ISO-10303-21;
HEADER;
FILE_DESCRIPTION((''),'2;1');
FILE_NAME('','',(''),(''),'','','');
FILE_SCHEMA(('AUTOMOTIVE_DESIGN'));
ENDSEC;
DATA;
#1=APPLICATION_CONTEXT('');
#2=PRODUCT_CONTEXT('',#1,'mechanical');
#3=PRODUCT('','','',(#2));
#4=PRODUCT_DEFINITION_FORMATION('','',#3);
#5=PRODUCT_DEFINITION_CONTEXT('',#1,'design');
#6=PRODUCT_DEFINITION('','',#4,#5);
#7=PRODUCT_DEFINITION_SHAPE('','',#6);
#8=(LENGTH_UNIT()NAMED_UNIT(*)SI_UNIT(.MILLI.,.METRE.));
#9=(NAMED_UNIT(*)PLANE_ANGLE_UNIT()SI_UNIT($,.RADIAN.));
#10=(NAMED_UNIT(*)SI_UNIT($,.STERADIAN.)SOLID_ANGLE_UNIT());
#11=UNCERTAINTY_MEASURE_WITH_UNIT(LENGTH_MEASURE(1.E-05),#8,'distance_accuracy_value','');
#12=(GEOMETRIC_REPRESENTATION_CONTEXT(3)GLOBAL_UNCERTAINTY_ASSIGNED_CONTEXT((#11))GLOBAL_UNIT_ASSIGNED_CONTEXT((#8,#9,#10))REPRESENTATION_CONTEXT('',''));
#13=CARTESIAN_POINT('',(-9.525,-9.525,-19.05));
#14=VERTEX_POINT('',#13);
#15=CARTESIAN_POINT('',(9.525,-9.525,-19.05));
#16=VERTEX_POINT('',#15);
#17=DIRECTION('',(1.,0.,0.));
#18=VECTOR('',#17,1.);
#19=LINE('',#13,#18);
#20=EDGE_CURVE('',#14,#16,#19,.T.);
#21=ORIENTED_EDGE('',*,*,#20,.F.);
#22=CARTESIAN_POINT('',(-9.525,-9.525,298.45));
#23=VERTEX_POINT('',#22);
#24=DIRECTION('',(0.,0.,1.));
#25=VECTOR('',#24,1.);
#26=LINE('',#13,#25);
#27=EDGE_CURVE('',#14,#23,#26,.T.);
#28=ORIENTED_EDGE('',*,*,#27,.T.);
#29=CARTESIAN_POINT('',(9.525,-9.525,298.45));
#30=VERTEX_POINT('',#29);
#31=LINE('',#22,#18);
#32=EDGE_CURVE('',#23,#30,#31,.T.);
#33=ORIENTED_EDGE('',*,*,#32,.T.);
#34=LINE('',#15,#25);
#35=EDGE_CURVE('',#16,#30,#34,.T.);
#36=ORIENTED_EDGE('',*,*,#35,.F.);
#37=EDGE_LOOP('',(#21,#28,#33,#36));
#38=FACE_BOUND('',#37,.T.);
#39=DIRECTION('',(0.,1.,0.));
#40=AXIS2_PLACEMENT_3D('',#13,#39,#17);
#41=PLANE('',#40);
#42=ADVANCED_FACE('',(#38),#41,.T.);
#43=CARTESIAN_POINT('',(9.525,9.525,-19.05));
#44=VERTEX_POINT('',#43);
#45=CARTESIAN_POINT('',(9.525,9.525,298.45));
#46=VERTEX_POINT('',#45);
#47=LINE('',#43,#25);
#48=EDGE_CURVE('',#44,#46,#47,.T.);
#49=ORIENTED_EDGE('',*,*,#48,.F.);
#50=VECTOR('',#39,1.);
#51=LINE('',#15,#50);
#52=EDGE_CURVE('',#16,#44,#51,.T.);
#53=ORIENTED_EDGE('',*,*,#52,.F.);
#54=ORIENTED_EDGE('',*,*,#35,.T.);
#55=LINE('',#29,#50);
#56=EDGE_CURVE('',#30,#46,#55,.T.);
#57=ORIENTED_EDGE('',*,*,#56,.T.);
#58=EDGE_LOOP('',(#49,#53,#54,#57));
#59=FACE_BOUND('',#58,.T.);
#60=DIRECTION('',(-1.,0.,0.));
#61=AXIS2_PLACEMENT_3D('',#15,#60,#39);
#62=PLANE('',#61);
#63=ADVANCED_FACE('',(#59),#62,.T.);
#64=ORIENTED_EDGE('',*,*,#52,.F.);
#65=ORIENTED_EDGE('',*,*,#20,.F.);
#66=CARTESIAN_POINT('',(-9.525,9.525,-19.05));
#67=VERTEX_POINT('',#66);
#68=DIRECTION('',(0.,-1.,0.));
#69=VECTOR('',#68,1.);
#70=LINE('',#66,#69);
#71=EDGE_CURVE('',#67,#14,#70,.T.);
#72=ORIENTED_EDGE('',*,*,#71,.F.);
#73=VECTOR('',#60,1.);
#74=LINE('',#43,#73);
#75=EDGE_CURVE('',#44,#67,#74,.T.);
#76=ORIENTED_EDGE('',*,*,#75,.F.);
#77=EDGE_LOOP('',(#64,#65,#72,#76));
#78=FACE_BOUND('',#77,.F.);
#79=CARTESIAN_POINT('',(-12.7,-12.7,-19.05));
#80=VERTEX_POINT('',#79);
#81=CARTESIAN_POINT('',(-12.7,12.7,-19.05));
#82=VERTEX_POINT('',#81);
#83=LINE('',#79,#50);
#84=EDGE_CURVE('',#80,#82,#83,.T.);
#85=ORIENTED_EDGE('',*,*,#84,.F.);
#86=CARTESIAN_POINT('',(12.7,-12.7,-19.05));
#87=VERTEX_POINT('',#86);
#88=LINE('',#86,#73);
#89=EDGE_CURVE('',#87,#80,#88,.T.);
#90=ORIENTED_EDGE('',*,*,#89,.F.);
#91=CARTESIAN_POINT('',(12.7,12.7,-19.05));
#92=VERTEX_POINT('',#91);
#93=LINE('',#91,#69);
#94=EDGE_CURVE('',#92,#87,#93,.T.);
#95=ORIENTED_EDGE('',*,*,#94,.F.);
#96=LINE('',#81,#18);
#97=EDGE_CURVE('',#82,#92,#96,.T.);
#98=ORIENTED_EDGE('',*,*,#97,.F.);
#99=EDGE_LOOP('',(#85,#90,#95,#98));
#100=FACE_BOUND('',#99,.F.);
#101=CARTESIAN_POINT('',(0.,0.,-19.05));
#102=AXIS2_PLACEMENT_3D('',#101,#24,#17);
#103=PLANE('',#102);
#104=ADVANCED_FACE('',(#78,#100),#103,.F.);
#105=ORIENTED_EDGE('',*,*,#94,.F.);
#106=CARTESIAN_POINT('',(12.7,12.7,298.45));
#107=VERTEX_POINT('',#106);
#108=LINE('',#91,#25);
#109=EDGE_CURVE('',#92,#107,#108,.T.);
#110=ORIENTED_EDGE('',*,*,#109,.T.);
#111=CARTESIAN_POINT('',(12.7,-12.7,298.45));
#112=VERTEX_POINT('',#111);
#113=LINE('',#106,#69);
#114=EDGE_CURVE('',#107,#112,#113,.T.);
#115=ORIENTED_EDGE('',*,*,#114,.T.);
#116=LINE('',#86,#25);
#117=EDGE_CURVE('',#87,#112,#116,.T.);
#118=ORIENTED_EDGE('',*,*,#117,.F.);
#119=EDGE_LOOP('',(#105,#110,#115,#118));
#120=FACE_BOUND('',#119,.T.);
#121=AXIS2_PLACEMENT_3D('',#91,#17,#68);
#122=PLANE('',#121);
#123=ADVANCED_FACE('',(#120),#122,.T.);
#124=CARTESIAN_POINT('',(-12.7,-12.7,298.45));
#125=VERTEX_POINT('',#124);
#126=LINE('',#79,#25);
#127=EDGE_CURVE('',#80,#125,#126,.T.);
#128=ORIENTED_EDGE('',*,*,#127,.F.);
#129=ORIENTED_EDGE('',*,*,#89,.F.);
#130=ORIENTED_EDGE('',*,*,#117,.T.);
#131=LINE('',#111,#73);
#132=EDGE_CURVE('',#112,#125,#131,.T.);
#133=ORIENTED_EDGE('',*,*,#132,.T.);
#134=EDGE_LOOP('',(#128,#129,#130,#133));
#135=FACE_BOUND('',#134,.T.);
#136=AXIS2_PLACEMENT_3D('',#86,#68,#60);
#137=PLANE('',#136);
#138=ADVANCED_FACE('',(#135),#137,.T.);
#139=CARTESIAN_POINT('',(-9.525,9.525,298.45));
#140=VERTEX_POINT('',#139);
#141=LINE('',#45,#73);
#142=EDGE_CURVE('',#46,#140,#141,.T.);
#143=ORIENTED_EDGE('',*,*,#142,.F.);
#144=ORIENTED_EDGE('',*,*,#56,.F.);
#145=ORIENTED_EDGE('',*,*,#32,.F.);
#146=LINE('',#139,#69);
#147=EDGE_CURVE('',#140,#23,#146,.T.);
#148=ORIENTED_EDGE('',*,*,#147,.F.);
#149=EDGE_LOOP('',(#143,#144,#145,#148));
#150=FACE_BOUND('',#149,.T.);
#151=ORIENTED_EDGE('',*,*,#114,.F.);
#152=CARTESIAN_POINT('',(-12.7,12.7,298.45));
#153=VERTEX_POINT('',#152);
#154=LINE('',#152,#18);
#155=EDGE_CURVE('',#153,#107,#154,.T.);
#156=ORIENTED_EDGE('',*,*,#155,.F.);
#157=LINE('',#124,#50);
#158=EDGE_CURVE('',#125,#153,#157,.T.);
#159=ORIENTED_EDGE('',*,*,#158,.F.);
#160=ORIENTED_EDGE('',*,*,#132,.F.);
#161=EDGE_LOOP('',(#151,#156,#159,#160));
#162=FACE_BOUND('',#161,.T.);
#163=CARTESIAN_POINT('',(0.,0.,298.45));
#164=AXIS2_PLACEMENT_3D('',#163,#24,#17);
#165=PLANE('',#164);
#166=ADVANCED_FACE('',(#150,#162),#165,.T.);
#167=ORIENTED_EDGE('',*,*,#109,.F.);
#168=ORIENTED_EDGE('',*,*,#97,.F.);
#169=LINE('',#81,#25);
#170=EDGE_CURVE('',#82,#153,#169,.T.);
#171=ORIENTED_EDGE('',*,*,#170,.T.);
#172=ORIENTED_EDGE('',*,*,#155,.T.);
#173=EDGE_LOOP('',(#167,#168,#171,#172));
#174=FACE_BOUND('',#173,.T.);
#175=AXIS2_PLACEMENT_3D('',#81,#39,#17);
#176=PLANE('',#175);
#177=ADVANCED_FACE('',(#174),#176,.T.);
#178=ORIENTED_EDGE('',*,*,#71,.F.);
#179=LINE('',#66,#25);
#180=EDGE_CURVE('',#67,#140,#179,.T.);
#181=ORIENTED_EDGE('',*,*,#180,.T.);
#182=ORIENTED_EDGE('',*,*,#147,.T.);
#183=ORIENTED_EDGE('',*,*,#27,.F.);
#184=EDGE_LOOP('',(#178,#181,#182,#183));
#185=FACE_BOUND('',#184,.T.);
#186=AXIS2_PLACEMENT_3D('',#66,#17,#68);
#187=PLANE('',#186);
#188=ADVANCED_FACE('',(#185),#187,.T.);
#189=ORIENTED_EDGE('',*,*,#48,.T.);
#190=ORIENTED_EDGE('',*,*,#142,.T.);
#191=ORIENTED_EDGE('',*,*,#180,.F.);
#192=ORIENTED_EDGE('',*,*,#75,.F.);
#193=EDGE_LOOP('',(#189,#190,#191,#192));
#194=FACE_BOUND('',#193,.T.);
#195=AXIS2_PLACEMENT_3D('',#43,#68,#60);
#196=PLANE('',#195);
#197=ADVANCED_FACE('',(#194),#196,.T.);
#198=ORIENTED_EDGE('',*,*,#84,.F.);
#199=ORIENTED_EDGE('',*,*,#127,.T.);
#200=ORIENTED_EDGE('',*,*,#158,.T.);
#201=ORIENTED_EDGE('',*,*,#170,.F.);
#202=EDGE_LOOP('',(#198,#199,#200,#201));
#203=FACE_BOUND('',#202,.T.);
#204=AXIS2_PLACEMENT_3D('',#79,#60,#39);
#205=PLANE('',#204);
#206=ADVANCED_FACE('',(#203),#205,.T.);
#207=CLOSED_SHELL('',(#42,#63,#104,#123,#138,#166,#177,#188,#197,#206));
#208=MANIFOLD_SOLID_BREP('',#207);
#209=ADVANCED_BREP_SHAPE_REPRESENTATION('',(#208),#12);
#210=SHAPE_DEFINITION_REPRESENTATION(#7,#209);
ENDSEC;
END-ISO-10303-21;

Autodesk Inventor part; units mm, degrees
ref_plane "Start Plane" through (0, 0, -19.05) normal (0, 0, 1) x (1, 0, 0)
ref_plane "End Plane" through (0, 0, 298.45) normal (0, 0, 1) x (1, 0, 0)
sketch "Sketch" plane through (0, 0, 0) normal (0, 0, 1) x (1, 0, 0)
  line L0 (-12.7, 12.7) -> (12.7, 12.7)
  line L1 (12.7, 12.7) -> (12.7, -12.7)
  line L2 (12.7, -12.7) -> (-12.7, -12.7)
  line L3 (-12.7, -12.7) -> (-12.7, 12.7)
  line L4 (9.525, 9.525) -> (-9.525, 9.525)
  line L5 (-9.525, 9.525) -> (-9.525, -9.525)
  line L6 (-9.525, -9.525) -> (9.525, -9.525)
  line L7 (9.525, -9.525) -> (9.525, 9.525)
  point P0 (0, 0)
  point P1 (0, 12.7)
  point P2 (-12.7, 0)
  dimension "width" = 25.4
  dimension "d1" = 3.175
extrude "Body" add sketch "Sketch" along normal up to surface (317.5 mm away) from surface at -19.05
sketch "Sketch4" plane through (0, 0, 0) normal (0, 0, 1) x (1, 0, 0)
  line L0 (0, 0) -> (10, 0)
ref_plane "Work Plane4" through (0, 0, 0) normal (0, -1, 0) x (1, 0, 0)
sketch "Sketch5" plane through (0, 0, 0) normal (0, -1, 0) x (1, 0, 0)
  line L0 (-2, -19.05) -> (12, -19.05)
  line L1 (-2, 298.45) -> (12, 298.45)
  dimension "d9" = 317.5
ref_plane "Work Plane5" through (25.4, 555.6504, 298.45) normal (0, 0, 1) x (1, 0, 0)
split "Split1" plane through (25.4, 555.6504, 298.45) removes the side toward (0, 0, 1)
ref_plane "Work Plane6" through (717.55, -631.7996, -19.05) normal (0, 0, -1) x (-1, 0, 0)
split "Split2" plane through (717.55, -631.7996, -19.05) removes the side toward (0, 0, -1)
equation "\"G_OFFSET_START\" = 19.05"
equation "\"G_OFFSET_END\" = -6.35"
equation "\"d4\" = -G_OFFSET_START"
equation "\"d5\" = length + G_OFFSET_END"
equation "\"G_L\" = 304.8"
equation "\"length\" = 304.8"
properties part number "Square Tube Profile"
